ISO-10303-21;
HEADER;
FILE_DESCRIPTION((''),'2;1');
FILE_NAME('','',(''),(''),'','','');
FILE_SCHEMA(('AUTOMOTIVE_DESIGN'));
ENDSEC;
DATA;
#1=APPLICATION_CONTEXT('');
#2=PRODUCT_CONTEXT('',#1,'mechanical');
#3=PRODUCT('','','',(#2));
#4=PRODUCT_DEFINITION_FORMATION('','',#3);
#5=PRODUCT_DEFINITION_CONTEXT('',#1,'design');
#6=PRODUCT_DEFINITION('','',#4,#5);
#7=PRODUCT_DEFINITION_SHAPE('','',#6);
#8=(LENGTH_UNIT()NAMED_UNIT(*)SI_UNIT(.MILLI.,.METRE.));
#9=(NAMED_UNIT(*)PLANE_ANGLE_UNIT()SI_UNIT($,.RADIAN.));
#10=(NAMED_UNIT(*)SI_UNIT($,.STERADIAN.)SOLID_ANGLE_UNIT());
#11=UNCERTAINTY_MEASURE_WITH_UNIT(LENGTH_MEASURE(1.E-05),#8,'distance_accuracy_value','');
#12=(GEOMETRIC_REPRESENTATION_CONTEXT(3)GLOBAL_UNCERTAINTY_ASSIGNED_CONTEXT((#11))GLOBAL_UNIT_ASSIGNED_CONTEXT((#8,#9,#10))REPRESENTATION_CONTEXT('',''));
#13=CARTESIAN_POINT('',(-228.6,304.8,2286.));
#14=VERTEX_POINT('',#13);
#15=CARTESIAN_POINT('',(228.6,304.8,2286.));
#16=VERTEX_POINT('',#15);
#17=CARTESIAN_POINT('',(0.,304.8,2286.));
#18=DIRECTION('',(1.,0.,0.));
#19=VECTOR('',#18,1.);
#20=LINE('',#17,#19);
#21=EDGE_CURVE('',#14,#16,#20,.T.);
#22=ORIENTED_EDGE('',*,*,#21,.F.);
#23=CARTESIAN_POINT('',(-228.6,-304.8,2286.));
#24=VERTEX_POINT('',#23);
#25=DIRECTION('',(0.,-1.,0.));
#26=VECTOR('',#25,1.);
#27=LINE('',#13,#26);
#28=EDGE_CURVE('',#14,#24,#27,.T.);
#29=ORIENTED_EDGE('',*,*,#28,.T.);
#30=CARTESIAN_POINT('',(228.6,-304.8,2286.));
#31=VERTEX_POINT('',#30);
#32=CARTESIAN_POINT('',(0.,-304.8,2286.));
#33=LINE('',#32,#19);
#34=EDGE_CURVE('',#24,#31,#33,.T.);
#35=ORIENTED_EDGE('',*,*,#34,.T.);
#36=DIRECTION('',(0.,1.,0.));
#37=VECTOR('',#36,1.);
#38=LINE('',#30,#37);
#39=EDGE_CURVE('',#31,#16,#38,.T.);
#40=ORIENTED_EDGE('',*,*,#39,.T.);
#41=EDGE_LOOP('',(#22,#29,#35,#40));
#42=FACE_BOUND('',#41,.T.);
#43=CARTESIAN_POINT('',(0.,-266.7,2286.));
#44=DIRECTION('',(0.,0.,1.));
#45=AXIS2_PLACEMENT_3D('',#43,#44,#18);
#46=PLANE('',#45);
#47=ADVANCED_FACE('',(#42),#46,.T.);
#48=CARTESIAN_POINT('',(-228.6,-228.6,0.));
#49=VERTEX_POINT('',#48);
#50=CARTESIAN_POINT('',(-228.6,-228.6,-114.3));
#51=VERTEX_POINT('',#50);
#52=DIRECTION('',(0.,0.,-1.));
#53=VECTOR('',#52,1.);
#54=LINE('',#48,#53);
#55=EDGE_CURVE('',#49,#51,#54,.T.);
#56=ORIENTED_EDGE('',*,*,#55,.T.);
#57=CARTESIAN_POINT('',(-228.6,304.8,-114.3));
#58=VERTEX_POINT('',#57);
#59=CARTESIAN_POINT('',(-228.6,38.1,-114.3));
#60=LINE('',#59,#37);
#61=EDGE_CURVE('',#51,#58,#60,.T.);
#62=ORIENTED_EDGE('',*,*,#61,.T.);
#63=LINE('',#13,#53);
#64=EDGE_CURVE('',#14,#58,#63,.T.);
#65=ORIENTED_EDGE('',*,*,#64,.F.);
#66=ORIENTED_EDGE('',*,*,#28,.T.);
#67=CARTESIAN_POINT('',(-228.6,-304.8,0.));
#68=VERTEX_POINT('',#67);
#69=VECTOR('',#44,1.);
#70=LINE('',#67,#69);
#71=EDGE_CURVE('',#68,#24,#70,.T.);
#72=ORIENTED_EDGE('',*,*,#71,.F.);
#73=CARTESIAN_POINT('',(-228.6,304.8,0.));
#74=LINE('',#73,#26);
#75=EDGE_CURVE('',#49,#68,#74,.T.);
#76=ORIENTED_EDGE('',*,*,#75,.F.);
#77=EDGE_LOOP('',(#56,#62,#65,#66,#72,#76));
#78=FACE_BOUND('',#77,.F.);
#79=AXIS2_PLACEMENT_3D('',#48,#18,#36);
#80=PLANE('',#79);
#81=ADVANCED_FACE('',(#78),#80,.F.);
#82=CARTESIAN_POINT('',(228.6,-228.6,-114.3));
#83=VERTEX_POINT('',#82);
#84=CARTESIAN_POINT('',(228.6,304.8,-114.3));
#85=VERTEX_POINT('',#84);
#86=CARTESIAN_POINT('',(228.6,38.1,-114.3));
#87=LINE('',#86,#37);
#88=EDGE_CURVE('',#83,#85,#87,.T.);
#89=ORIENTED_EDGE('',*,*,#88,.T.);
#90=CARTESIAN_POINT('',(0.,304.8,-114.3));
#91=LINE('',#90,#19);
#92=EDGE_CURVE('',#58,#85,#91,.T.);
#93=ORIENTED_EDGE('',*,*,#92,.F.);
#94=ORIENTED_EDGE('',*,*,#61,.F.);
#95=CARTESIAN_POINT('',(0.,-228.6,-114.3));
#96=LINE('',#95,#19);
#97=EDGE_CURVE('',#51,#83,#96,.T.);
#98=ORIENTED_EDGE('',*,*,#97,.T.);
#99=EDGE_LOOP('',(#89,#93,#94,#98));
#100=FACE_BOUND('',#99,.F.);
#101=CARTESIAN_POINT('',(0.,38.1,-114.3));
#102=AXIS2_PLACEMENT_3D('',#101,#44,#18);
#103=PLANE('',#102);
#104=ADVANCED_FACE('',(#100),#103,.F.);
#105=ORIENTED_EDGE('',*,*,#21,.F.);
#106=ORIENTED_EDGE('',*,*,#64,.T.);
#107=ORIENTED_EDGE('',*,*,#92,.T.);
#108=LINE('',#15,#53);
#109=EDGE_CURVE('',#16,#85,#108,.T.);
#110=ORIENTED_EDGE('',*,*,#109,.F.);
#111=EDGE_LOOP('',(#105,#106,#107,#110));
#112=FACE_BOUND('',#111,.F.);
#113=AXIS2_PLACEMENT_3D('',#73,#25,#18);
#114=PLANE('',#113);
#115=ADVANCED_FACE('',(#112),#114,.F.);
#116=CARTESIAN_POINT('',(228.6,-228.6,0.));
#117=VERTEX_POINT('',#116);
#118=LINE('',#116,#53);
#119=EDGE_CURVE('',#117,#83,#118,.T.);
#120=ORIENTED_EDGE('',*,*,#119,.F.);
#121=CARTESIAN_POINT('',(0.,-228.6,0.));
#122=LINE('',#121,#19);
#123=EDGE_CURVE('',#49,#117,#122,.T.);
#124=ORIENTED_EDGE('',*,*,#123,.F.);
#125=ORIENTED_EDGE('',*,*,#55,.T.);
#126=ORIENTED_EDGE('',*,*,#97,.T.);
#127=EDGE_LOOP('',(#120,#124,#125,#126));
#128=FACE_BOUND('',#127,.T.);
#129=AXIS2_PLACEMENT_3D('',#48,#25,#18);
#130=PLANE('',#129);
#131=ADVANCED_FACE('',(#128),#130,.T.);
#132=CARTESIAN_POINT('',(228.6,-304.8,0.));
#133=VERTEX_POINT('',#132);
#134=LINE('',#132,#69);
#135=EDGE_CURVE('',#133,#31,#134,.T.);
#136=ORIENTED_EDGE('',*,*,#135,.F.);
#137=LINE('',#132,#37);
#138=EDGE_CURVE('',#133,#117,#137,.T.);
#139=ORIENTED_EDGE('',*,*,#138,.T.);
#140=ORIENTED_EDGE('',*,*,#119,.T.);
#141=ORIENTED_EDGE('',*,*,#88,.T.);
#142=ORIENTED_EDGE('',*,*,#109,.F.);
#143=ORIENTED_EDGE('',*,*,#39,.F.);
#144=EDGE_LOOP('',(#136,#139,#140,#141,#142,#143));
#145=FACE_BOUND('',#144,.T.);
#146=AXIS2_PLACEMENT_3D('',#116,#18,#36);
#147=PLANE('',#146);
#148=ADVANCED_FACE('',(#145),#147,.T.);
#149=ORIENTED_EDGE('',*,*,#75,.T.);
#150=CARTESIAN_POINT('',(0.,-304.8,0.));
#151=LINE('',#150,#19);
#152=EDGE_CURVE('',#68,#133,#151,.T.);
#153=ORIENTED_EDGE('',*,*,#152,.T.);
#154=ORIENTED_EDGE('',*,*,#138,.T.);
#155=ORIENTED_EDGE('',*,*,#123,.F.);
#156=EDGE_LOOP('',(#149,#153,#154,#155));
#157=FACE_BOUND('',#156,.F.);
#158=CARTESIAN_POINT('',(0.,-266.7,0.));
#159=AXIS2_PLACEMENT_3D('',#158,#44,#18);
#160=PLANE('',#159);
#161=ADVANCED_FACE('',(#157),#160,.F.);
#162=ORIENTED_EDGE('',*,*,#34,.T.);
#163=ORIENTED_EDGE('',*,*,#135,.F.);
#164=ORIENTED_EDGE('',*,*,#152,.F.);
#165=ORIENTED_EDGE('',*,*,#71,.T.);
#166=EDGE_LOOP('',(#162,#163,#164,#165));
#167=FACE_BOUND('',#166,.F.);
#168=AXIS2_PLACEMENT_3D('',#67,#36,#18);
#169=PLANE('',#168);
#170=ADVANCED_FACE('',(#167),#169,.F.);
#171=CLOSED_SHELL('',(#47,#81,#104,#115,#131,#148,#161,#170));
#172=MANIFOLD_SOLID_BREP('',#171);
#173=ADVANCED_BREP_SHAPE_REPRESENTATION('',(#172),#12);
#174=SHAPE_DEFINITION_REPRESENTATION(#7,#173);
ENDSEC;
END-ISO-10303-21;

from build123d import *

# Parameters (mm, degrees)
F0_W     = 457.2
F0_H     = 76.2
F0_H_2   = 533.4
F1_DEPTH = 2286
F2_DEPTH = 114.3


with BuildPart() as f1:
    # F0 (on Top) → F1 (new body)
    with BuildSketch(Plane.XY):
        with Locations((0, -266.7)):
            Rectangle(F0_W, F0_H)
        with Locations((0, 38.1)):
            Rectangle(F0_W, F0_H_2)
    extrude(amount=F1_DEPTH)

    # F0 (on Top) → F2 (join)
    with BuildSketch(Plane.XY):
        with Locations((0, 38.1)):
            Rectangle(F0_W, F0_H_2)
    extrude(amount=-F2_DEPTH)


solid = f1.part
